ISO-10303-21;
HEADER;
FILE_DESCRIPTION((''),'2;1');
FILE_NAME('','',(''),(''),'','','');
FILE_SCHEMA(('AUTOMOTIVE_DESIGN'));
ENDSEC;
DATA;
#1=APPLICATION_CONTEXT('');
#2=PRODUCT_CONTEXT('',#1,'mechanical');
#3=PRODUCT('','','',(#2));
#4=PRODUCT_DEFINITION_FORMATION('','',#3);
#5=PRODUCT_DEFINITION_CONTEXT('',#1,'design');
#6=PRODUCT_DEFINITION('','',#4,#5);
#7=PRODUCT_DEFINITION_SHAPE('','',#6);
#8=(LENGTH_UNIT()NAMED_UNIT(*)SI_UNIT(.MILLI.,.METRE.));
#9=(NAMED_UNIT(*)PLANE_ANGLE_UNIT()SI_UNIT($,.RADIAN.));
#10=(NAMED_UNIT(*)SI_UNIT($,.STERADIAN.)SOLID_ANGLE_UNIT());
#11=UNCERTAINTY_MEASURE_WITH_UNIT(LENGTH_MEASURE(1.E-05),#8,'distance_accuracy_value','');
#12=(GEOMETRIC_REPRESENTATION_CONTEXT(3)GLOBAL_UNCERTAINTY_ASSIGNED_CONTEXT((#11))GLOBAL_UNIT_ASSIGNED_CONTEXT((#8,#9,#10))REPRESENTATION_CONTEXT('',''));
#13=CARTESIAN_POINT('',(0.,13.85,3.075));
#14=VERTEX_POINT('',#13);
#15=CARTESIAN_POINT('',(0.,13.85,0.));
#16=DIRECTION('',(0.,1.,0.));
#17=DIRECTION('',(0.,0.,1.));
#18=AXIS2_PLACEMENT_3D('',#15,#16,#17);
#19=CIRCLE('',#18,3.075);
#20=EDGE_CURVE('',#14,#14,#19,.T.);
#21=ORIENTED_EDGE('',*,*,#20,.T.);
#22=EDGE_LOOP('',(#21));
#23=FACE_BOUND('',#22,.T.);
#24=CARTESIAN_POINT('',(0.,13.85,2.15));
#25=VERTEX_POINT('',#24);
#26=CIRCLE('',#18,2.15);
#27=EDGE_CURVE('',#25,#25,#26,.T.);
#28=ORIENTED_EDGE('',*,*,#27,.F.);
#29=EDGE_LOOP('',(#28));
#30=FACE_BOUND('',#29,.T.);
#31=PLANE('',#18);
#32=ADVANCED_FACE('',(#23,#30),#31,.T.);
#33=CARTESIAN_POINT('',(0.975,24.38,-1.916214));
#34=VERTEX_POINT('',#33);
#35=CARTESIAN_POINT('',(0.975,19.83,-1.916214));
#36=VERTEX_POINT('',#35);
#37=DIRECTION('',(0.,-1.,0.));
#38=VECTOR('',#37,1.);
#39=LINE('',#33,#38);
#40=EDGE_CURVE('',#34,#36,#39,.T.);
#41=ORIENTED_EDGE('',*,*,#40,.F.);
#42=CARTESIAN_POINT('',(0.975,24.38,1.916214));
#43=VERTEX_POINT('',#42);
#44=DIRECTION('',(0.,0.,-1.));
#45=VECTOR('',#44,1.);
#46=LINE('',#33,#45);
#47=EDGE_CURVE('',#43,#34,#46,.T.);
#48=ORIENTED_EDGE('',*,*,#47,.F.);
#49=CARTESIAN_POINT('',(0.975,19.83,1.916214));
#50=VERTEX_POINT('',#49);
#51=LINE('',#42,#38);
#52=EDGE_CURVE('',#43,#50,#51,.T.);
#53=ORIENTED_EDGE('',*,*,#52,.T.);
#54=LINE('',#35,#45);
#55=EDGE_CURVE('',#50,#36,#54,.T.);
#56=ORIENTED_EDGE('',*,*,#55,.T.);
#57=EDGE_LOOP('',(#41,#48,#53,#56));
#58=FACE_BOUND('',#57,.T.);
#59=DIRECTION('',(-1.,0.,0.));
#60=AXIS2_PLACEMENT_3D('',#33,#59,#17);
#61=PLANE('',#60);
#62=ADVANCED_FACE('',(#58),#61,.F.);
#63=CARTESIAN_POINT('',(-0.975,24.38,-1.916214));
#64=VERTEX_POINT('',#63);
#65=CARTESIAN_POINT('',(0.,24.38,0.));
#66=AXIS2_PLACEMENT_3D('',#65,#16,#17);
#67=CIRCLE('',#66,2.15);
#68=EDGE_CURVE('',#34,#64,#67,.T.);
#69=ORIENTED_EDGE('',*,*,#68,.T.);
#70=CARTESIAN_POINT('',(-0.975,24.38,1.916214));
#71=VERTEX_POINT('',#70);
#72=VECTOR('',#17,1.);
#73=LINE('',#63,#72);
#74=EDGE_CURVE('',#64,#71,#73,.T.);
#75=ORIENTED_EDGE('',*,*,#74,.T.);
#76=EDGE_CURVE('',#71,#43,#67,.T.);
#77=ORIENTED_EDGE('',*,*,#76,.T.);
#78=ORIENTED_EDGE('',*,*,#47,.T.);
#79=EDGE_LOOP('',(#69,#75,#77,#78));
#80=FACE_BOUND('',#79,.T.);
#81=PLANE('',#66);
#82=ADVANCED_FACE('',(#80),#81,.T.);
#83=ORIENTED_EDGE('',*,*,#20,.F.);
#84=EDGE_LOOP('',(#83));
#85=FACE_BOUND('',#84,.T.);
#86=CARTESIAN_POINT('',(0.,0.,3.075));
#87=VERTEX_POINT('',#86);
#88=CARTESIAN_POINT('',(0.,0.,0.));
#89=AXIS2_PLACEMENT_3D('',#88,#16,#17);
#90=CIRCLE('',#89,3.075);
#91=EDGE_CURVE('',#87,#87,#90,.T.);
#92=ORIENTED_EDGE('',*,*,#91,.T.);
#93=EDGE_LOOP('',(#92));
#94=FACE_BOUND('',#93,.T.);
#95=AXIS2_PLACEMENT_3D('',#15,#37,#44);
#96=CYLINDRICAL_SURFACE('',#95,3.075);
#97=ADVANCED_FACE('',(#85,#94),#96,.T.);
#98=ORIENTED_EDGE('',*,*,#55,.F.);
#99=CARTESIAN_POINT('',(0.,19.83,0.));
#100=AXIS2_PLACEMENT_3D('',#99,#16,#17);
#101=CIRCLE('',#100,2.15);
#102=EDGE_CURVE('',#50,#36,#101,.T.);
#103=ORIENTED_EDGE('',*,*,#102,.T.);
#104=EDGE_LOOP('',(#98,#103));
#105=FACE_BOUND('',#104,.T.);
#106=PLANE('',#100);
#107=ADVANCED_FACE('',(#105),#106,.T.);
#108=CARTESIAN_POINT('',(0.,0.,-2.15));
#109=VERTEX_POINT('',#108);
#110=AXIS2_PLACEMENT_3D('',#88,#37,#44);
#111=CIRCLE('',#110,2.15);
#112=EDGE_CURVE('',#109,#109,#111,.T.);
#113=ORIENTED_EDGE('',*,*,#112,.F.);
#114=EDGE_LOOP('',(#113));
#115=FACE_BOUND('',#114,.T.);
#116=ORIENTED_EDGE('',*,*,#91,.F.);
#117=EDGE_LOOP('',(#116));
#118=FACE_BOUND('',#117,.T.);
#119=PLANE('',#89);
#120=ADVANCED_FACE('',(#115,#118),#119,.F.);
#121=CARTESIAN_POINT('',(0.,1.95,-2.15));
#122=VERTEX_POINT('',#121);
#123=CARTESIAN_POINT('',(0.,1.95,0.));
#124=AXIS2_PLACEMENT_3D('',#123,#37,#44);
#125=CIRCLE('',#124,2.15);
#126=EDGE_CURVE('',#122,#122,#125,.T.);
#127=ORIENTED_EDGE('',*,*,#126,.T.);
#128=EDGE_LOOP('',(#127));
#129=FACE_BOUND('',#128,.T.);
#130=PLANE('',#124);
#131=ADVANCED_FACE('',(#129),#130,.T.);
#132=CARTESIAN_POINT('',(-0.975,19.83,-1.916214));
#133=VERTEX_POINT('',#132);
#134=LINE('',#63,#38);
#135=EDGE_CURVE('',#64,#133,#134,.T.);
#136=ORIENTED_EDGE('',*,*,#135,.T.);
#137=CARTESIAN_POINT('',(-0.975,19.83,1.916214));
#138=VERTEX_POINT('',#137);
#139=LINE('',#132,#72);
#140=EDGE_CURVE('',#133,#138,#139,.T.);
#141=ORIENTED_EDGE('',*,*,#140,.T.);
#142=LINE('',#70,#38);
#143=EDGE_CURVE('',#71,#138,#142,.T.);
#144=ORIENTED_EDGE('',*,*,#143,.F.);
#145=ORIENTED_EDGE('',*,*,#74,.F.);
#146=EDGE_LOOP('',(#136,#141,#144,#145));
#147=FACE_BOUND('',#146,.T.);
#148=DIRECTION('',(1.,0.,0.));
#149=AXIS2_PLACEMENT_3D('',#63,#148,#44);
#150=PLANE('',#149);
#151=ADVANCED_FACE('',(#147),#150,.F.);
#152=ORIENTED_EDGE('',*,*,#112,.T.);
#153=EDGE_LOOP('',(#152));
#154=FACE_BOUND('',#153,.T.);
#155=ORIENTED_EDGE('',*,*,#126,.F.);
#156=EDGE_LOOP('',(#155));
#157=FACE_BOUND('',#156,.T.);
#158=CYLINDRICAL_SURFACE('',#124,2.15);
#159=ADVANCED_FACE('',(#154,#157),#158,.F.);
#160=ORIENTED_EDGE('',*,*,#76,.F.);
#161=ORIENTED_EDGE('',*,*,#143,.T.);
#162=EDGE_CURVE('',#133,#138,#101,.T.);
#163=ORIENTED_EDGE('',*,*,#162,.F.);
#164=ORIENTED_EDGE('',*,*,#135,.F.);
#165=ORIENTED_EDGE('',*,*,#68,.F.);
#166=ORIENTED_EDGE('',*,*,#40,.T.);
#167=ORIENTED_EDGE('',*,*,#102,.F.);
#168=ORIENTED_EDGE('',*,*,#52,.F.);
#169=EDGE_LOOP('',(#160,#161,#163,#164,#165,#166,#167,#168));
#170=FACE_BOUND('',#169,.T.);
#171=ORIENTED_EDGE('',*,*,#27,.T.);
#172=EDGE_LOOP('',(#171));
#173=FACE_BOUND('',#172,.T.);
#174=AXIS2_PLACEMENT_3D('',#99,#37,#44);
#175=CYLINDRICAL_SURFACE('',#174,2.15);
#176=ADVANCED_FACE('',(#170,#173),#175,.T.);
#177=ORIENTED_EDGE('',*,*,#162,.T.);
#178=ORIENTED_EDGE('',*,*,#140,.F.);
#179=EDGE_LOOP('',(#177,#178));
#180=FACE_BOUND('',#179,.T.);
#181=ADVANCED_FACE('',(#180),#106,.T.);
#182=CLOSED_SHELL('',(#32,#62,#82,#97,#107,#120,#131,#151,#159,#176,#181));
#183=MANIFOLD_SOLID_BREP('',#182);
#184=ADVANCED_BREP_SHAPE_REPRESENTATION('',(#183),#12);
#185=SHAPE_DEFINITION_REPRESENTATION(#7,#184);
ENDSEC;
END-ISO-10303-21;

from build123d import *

# Parameters (mm, degrees)
SKETCH1_R           = 3.075
BOSS_EXTRUDE1_DEPTH = 13.85
SKETCH2_R           = 2.15
BOSS_EXTRUDE2_DEPTH = 5.98
BOSS_EXTRUDE3_DEPTH = 4.55
SKETCH4_R           = 2.15
CUT_EXTRUDE1_DEPTH  = 1.95


with BuildPart() as part:
    # Sketch1 → Boss-Extrude1 (new body)
    with BuildSketch(Plane(origin=(0, 0, 0), x_dir=(1, 0, 0), z_dir=(0, 1, 0))):
        with Locations(Location((0, 0, 0), (0, 0, 270))):
            Circle(SKETCH1_R)
    extrude(amount=BOSS_EXTRUDE1_DEPTH)

    # Sketch2 → Boss-Extrude2 (add)
    with BuildSketch(Plane(origin=(0, 13.85, 0), x_dir=(1, 0, 0), z_dir=(0, 1, 0))):
        with Locations(Location((0, 0, 0), (0, 0, 90))):
            Circle(SKETCH2_R)
    extrude(amount=BOSS_EXTRUDE2_DEPTH)

    # Sketch3 → Boss-Extrude3 (add)
    with BuildSketch(Plane(origin=(0, 19.83, 0), x_dir=(1, 0, 0), z_dir=(0, 1, 0))):
        with BuildLine():
            Line((-0.975, 1.916213715), (-0.975, -1.916213715))
            ThreePointArc((-0.975, -1.916213715), (0, -2.15), (0.975, -1.916213715))
            Line((0.975, -1.916213715), (0.975, 1.916213715))
            ThreePointArc((0.975, 1.916213715), (0, 2.15), (-0.975, 1.916213715))
        make_face()
    extrude(amount=BOSS_EXTRUDE3_DEPTH)

    # Sketch4 → Cut-Extrude1 (cut)
    with BuildSketch(Plane.XZ):
        with Locations(Location((0, 0, 0), (0, 0, 243.032284463))):
            Circle(SKETCH4_R)
    extrude(amount=-CUT_EXTRUDE1_DEPTH, mode=Mode.SUBTRACT)


solid = part.part
